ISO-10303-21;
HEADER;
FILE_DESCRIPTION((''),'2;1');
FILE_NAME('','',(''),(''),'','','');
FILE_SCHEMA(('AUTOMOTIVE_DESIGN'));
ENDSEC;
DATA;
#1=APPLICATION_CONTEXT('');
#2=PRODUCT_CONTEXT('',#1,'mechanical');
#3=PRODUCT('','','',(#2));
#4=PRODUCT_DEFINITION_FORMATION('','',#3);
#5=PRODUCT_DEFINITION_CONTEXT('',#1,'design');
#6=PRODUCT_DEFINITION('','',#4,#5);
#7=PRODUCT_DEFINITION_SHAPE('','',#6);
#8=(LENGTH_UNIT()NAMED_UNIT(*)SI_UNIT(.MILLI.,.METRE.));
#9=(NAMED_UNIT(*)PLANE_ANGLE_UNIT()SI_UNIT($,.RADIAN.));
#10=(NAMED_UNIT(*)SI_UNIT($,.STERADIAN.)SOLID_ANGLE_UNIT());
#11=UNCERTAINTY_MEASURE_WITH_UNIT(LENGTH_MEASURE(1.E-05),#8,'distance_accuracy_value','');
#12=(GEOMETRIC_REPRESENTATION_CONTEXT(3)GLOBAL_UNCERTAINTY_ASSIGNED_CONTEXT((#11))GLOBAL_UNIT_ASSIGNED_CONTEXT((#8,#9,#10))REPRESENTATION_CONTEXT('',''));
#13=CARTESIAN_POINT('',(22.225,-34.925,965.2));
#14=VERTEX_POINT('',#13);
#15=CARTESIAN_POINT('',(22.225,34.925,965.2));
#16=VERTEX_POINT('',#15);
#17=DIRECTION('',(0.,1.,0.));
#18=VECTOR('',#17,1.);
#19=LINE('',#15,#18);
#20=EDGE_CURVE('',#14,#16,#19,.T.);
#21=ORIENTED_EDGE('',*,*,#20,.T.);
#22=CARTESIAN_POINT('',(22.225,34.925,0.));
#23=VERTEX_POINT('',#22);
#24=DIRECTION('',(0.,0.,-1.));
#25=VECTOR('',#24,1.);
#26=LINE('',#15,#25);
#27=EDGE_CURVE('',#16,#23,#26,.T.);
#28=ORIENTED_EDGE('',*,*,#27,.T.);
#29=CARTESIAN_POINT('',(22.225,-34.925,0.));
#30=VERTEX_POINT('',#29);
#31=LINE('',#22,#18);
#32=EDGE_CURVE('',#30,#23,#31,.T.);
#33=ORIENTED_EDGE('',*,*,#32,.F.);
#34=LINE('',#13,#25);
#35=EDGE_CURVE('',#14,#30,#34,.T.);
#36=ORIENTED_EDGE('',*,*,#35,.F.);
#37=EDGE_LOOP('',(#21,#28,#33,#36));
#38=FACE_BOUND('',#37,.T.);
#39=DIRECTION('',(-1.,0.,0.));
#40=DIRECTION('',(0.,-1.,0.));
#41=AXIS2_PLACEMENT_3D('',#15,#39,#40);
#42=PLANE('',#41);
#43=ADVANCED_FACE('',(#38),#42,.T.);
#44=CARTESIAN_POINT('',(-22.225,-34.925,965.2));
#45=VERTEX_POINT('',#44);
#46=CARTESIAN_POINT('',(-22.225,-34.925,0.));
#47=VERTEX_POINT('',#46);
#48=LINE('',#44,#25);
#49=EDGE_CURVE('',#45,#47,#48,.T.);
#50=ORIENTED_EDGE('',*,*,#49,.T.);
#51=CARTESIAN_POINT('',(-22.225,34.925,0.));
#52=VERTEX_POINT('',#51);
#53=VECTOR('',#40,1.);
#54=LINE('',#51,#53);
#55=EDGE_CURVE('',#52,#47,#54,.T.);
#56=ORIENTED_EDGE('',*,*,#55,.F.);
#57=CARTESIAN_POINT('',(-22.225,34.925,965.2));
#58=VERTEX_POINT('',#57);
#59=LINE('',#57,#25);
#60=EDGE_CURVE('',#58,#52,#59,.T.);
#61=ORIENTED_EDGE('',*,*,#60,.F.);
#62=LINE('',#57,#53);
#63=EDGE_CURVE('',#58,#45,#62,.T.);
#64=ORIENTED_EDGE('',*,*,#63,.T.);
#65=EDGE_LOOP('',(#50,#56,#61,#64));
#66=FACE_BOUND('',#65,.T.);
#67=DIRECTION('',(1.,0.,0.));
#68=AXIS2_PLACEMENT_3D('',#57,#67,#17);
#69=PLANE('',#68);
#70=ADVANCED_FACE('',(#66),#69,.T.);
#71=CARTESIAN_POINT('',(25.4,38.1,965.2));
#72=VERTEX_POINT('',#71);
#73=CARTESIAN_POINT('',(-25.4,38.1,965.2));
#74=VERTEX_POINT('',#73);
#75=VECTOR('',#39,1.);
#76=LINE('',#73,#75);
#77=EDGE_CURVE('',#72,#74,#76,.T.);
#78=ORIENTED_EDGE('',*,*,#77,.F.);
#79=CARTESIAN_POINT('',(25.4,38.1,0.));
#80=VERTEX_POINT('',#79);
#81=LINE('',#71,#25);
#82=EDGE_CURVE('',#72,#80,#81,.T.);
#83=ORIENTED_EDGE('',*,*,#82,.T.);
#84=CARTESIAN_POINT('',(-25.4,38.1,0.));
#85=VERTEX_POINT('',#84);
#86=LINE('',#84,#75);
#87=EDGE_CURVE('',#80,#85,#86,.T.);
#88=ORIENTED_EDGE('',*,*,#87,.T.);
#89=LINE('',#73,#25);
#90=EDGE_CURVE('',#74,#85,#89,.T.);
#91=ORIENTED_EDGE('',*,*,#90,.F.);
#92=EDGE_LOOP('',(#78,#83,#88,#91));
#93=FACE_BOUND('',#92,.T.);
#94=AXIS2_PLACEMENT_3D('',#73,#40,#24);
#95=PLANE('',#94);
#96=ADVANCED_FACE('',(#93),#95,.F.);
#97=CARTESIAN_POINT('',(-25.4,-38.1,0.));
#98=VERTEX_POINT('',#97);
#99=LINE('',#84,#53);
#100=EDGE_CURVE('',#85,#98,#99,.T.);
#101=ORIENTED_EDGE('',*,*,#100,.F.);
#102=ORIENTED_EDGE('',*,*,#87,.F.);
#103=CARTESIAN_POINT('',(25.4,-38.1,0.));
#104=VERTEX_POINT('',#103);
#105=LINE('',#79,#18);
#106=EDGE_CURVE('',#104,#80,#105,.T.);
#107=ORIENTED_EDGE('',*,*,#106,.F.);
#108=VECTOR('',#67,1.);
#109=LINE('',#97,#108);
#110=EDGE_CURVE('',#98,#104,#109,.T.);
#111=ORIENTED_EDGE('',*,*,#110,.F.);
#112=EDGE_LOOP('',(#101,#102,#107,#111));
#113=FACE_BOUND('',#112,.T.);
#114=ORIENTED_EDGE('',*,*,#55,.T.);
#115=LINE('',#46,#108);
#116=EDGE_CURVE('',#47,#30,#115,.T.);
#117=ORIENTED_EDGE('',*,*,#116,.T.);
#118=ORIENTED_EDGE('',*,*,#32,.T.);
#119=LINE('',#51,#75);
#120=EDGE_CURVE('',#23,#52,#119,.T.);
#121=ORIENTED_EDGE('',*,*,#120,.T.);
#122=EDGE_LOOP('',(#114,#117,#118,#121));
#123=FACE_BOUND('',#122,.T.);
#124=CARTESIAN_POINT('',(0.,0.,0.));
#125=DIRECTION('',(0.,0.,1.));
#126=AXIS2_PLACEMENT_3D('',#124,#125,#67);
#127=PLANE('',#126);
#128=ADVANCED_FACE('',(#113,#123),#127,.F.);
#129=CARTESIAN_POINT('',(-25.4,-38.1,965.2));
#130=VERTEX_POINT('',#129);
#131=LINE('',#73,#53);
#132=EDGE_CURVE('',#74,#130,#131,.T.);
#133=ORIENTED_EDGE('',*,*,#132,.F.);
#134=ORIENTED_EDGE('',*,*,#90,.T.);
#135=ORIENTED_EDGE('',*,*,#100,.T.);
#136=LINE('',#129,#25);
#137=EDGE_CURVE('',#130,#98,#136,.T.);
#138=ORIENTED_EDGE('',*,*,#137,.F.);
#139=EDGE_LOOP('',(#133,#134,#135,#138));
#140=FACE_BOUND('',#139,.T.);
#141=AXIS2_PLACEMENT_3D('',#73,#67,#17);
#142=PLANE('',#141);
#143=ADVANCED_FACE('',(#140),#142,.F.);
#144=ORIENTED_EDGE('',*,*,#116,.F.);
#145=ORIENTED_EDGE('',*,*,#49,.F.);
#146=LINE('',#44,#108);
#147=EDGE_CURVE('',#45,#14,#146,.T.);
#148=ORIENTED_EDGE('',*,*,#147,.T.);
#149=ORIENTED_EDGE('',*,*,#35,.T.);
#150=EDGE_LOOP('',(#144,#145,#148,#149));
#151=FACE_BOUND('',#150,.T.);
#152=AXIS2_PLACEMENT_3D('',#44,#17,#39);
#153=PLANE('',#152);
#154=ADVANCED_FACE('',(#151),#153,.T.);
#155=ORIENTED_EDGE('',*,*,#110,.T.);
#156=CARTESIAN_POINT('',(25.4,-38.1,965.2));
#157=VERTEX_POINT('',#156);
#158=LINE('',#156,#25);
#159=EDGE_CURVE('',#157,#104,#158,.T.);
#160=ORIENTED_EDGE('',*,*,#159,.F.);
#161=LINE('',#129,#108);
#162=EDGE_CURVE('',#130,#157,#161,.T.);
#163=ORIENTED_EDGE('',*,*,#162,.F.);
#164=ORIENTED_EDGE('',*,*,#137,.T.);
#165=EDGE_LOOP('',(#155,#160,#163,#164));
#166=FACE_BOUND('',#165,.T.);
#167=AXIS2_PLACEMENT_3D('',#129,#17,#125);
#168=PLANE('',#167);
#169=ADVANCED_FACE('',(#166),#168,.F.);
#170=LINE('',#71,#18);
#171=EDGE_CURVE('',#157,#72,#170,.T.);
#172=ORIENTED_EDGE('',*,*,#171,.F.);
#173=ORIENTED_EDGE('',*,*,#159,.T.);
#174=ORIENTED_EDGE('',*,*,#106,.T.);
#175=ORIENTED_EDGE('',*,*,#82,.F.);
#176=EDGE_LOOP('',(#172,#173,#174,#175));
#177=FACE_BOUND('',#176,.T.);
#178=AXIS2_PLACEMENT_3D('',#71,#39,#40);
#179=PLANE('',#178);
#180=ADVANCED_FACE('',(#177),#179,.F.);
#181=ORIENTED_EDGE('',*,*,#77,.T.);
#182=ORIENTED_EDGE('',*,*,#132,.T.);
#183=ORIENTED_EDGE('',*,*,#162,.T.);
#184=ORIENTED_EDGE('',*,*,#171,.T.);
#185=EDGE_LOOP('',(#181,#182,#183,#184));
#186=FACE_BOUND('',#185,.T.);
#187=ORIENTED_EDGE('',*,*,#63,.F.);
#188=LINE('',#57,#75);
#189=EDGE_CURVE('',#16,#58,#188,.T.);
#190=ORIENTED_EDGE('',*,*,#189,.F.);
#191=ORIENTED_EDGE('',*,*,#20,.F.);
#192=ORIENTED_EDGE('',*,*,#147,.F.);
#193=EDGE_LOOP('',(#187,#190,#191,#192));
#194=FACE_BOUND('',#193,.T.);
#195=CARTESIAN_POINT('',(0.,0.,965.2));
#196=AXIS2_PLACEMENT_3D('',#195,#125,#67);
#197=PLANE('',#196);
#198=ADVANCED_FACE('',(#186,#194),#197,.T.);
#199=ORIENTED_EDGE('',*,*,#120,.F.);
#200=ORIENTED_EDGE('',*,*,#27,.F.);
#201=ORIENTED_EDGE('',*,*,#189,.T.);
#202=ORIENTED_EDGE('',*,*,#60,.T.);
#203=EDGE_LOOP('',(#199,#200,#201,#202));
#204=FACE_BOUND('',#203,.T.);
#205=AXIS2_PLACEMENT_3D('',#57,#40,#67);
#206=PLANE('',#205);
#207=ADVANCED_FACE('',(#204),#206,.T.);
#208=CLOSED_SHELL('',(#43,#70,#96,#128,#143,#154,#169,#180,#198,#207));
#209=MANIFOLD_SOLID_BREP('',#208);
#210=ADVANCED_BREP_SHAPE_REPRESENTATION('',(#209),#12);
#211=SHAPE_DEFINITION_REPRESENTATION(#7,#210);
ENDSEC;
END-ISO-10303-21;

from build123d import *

# Parameters (mm, degrees)
SKETCH1_W           = 50.8
SKETCH1_H           = 76.2
SKETCH1_W_2         = 44.45
SKETCH1_H_2         = 69.85
BOSS_EXTRUDE1_DEPTH = 965.2


with BuildPart() as part:
    # Sketch1 → Boss-Extrude1 (new body)
    with BuildSketch(Plane.XY):
        Rectangle(SKETCH1_W, SKETCH1_H)
        Rectangle(SKETCH1_W_2, SKETCH1_H_2, mode=Mode.SUBTRACT)
    extrude(amount=BOSS_EXTRUDE1_DEPTH)


solid = part.part
